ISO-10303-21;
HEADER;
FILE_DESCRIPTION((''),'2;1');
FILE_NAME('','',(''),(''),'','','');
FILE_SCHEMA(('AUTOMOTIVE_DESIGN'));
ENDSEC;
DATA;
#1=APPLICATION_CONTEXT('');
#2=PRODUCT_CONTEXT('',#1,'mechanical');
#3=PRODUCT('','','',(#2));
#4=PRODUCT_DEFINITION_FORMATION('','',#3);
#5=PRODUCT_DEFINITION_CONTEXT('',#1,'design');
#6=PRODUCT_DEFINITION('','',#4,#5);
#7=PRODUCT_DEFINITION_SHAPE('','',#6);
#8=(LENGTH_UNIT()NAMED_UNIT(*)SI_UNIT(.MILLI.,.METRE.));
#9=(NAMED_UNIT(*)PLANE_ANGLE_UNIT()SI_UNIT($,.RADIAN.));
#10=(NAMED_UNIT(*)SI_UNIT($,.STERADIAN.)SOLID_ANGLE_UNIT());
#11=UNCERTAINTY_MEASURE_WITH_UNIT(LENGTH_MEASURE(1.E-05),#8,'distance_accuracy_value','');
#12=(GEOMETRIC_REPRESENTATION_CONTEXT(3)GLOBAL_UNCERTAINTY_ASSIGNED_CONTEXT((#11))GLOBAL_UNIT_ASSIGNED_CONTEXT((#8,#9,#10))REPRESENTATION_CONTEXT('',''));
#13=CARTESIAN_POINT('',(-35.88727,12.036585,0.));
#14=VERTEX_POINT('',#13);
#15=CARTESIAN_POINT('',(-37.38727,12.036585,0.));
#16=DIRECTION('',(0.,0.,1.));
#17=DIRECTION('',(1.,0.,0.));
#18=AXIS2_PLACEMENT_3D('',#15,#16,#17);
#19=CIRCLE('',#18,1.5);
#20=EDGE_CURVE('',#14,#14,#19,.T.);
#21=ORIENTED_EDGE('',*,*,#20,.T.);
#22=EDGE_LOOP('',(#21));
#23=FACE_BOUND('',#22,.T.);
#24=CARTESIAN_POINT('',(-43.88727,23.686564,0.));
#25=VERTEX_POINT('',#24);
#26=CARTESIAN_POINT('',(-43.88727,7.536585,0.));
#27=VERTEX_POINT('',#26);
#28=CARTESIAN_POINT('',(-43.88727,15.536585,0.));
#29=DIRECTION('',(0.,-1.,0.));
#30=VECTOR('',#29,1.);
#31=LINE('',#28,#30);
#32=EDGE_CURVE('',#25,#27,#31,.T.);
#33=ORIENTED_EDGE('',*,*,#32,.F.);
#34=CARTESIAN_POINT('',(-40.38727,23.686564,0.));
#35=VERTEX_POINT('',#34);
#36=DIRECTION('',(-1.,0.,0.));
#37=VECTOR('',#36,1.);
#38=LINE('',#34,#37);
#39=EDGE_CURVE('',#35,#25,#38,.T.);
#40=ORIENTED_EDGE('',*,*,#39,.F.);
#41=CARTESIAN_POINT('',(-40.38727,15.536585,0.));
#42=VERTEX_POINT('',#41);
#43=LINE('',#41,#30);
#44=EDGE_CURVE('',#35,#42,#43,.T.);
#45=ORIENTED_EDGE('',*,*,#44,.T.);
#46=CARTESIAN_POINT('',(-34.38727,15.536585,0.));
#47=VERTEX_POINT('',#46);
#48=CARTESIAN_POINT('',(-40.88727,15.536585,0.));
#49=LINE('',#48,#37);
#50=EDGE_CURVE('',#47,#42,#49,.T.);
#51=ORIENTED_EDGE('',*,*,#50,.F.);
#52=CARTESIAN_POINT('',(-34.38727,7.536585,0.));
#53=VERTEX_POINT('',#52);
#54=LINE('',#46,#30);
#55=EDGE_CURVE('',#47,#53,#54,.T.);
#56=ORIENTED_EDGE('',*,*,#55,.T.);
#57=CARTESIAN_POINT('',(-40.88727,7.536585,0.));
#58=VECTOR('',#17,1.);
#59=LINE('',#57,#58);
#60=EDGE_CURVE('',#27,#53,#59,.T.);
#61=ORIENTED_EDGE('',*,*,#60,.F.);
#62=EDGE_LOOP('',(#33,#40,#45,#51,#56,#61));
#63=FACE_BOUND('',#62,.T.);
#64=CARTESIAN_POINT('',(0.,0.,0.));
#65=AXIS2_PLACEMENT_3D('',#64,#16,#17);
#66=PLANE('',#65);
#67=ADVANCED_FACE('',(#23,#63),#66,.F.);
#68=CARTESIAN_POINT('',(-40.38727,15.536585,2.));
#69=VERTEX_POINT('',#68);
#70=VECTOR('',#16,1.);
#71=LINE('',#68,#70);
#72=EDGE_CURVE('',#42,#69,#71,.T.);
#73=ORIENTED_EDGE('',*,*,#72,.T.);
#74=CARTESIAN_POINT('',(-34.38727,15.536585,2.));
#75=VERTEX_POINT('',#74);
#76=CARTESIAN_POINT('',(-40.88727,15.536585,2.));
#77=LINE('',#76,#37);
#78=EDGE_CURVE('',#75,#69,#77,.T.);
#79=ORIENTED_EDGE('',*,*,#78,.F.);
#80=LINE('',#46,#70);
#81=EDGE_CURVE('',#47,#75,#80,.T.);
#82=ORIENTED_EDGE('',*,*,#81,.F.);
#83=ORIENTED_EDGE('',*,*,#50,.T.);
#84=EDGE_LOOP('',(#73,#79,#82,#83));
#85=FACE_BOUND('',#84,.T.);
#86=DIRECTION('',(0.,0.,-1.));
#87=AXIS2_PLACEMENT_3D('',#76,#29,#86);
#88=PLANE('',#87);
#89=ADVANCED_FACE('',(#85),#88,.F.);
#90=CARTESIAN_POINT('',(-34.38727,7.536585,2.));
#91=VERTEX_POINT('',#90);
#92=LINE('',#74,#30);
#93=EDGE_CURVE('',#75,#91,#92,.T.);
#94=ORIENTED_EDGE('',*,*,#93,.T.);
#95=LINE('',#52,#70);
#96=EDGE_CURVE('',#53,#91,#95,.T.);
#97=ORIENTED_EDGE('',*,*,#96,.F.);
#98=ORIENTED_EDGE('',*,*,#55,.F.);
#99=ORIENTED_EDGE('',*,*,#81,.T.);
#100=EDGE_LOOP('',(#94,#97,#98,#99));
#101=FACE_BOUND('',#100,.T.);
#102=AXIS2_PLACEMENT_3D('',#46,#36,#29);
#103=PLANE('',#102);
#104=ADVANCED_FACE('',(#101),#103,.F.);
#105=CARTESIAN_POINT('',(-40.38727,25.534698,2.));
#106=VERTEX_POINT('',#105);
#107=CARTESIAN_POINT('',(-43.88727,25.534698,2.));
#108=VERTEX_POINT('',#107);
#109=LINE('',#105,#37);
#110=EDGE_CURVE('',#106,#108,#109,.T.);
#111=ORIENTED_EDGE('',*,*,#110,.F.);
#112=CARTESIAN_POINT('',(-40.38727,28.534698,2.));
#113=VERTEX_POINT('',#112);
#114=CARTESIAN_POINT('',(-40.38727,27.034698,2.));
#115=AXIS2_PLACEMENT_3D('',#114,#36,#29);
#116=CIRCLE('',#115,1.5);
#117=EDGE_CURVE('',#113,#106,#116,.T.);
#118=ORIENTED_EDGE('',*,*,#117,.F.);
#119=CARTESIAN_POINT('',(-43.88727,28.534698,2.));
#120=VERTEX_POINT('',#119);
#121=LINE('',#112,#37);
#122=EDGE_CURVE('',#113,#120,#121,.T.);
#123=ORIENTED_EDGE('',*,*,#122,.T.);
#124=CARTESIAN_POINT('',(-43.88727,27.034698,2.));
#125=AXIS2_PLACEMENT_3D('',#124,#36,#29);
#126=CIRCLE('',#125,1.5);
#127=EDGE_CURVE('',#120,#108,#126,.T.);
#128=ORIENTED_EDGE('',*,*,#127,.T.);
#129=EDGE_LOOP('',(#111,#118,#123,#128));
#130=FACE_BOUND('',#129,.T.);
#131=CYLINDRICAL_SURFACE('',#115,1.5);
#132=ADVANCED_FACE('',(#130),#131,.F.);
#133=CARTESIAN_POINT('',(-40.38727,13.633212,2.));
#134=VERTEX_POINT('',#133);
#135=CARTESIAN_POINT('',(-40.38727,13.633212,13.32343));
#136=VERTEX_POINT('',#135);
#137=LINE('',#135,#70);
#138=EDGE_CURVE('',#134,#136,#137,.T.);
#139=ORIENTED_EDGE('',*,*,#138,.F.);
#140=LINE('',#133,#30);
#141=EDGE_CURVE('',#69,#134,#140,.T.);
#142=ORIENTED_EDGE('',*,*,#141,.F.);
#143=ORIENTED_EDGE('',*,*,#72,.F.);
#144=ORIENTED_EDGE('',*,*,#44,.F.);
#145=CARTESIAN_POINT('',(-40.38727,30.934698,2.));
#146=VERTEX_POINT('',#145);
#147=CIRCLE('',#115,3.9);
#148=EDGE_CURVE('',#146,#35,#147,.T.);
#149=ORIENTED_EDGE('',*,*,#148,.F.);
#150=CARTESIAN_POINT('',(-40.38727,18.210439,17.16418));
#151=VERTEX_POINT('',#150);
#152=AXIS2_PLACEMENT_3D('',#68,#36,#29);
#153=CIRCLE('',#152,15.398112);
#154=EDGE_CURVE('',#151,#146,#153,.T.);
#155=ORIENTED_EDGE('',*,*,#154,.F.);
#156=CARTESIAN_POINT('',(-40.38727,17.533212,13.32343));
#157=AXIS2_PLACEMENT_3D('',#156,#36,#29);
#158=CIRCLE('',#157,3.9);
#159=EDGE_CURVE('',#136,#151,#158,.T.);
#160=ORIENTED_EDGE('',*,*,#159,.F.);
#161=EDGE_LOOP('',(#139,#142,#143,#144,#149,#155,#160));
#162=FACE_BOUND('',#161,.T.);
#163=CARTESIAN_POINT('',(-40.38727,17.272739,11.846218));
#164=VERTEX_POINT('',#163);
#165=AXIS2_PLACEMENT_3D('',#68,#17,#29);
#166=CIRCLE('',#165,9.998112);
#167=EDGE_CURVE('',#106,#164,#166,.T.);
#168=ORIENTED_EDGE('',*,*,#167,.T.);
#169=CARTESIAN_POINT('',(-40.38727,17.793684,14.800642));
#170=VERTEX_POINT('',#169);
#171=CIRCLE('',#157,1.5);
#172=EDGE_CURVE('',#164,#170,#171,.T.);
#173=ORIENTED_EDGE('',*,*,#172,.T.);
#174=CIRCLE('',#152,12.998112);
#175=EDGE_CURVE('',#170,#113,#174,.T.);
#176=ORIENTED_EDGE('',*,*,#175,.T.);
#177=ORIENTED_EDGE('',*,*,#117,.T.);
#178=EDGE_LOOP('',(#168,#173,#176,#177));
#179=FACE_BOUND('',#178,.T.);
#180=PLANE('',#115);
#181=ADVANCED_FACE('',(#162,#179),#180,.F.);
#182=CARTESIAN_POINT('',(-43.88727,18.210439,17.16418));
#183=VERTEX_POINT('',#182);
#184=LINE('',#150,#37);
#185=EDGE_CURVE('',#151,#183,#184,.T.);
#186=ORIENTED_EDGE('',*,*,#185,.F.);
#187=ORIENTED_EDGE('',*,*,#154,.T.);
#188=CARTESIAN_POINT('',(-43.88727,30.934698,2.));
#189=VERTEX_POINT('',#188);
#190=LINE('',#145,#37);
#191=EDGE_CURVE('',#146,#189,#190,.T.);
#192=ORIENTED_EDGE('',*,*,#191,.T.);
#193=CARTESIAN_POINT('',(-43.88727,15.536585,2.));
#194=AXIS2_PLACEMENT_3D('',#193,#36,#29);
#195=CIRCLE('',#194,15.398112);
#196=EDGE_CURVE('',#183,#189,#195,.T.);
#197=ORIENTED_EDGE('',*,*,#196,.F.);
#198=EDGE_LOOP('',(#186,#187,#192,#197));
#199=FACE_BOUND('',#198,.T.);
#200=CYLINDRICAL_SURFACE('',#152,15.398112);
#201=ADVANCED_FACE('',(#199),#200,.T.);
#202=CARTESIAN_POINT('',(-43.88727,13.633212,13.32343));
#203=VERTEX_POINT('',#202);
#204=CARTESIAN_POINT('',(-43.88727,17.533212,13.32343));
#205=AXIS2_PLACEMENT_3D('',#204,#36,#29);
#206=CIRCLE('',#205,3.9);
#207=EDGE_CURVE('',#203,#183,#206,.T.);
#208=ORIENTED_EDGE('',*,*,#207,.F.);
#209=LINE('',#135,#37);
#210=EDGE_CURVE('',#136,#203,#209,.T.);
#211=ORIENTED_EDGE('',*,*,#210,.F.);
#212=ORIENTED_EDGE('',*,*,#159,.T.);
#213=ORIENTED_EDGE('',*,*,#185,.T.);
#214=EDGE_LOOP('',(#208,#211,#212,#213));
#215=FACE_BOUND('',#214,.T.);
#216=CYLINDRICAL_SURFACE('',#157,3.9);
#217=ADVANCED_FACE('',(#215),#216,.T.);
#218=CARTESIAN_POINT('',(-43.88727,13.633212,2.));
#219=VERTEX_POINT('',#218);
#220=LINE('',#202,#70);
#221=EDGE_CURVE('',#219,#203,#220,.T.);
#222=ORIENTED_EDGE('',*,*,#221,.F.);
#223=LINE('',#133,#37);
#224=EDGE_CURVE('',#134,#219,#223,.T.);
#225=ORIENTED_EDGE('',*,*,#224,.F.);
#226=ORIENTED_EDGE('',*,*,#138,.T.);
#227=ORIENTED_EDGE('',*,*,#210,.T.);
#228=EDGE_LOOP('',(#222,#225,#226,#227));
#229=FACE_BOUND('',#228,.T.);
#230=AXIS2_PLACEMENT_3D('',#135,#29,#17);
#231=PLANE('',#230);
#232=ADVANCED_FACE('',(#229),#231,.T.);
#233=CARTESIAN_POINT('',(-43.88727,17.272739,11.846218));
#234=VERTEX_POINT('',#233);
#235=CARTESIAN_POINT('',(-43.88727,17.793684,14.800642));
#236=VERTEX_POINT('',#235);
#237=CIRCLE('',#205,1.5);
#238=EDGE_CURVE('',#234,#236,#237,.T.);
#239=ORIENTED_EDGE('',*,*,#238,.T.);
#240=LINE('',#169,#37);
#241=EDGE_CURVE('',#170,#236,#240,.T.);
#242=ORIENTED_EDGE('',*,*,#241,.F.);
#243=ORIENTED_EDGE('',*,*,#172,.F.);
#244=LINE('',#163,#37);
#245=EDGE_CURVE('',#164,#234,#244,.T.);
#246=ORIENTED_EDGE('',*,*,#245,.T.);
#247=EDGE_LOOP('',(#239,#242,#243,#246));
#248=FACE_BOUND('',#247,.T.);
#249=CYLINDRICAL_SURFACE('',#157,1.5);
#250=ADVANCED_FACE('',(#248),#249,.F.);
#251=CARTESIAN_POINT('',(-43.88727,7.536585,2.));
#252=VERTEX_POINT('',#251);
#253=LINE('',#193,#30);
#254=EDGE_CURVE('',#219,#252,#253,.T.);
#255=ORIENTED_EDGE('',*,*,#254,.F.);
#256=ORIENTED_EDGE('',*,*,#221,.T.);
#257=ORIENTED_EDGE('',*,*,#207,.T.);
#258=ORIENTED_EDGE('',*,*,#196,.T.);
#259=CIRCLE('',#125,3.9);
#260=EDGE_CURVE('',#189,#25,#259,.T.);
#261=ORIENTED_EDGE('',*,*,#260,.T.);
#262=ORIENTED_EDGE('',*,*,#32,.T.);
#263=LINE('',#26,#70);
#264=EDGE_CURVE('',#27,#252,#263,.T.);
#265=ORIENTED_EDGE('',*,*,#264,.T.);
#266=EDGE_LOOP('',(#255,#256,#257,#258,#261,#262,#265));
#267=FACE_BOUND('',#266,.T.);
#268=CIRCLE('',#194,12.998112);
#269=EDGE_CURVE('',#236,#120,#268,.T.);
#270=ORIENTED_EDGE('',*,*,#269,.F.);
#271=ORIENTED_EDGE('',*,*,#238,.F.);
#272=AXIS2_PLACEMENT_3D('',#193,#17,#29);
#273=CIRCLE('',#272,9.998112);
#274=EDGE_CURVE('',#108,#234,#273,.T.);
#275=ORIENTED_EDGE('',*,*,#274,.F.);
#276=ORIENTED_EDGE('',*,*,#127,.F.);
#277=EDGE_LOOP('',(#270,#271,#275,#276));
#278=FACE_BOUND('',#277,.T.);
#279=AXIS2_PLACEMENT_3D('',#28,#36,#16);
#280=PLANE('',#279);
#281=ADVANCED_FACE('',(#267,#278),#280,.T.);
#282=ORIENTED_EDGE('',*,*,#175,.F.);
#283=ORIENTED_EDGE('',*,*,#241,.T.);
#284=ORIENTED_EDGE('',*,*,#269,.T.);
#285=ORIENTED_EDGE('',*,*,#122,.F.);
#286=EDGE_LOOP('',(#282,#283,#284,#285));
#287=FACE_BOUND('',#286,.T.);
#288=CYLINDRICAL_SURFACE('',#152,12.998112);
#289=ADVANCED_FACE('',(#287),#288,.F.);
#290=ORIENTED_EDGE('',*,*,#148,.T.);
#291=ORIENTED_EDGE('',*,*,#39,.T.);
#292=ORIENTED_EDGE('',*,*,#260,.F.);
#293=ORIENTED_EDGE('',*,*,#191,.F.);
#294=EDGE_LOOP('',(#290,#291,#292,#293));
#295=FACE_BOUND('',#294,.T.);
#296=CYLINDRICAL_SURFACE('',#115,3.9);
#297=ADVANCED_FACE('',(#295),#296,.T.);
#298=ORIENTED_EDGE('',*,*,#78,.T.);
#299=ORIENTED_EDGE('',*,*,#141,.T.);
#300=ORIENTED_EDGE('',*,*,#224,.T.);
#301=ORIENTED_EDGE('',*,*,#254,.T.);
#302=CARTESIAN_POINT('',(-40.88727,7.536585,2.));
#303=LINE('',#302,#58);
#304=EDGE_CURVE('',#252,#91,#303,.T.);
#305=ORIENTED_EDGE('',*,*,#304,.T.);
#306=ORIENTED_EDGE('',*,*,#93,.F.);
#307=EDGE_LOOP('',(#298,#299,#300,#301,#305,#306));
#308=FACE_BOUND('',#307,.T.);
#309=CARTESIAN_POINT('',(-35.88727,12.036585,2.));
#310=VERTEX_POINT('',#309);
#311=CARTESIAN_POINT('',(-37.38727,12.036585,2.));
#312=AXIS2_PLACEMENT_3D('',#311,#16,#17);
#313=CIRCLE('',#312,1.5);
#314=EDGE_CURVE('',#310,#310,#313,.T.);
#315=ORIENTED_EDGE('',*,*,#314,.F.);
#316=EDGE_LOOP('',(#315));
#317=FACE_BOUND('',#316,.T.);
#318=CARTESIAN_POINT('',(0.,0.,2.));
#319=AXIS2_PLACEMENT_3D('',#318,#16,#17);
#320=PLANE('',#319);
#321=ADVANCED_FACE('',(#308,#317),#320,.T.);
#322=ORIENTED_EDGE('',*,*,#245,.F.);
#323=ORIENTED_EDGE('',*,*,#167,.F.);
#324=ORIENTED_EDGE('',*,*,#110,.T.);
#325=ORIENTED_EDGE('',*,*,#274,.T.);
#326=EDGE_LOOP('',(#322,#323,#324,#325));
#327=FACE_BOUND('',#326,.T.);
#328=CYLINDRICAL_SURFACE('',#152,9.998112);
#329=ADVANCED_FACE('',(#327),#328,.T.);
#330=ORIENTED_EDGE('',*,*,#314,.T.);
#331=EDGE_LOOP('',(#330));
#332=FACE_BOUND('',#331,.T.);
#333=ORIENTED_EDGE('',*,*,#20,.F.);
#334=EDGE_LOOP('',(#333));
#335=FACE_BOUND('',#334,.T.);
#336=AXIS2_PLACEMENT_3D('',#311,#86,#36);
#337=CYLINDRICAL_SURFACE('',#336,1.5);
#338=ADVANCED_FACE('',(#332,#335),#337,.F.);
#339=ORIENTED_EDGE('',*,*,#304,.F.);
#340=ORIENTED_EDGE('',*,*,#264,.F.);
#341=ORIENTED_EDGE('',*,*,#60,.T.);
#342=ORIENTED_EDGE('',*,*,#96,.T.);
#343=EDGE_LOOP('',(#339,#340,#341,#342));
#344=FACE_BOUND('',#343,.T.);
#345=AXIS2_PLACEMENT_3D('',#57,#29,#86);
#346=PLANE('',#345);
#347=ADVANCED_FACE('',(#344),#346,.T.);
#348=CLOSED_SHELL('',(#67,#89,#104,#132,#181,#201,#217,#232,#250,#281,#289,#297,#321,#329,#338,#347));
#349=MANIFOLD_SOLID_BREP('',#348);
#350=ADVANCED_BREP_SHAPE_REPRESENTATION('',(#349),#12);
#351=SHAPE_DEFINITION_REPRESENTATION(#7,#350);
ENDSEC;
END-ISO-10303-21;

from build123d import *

# Parameters (mm, degrees)
CROQUIS1_W                   = 26
CROQUIS1_H                   = 28
CROQUIS1_R                   = 1.5
SALIENTE_EXTRUIR1_DEPTH      = 2
CROQUIS7_W                   = 3
CROQUIS7_H                   = 8
SALIENTE_EXTRUIR3_DEPTH      = 2
SALIENTE_EXTRUIR2_DEPTH      = 3
SALIENTE_EXTRUIR2_DEPTH_BACK = 0.5
CORTAR_EXTRUIR1_DEPTH        = 2


with BuildPart() as part:
    # Croquis1 → Saliente-Extruir1 (new body)
    with BuildSketch(Plane.XY):
        with Locations((-27.887270297, 1.536585366)):
            Rectangle(CROQUIS1_W, CROQUIS1_H)
        with Locations((-37.387270297, 12.036585366)):
            Circle(CROQUIS1_R, mode=Mode.SUBTRACT)
        with Locations(Location((-18.387270297, 12.036585366, 0), (0, 0, 180))):
            Circle(CROQUIS1_R, mode=Mode.SUBTRACT)
        with Locations((-27.887270297, -5.463414634)):
            Circle(CROQUIS1_R, mode=Mode.SUBTRACT)
    extrude(amount=SALIENTE_EXTRUIR1_DEPTH)

    # Croquis7 → Saliente-Extruir3 (add)
    with BuildSketch(Plane.XY.offset(2)):
        with Locations((-42.387270297, 11.536585366)):
            Rectangle(CROQUIS7_W, CROQUIS7_H)
    extrude(amount=-SALIENTE_EXTRUIR3_DEPTH)

    # Croquis4 → Saliente-Extruir2 (add, two sides: drawn at the far end of the back side and taken through both)
    with BuildSketch(Plane.ZY.offset(40.887270297).offset(-SALIENTE_EXTRUIR2_DEPTH_BACK)):
        with BuildLine():
            Line((0, 15.536585366), (0, 23.686563701))
            ThreePointArc((0, 23.686563701), (-1.75950275, 28.072068742), (2, 30.934697509))
            ThreePointArc((2, 30.934697509), (11.897715698, 27.332223608), (17.164180221, 18.210439479))
            ThreePointArc((17.164180221, 18.210439479), (16.311003312, 15.026339908), (13.323429984, 13.633211586))
            Line((13.323429984, 13.633211586), (2, 13.633211586))
            Line((2, 13.633211586), (2, 15.536585366))
            Line((2, 15.536585366), (0, 15.536585366))
        make_face()
        with BuildLine():
            ThreePointArc((14.800641614, 17.793683853), (10.355025435, 25.493716944), (2, 28.534697509))
            ThreePointArc((2, 28.534697509), (0.5, 27.034697509), (2, 25.534697509))
            ThreePointArc((2, 25.534697509), (8.426662606, 23.195583615), (11.846218354, 17.27273932))
            ThreePointArc((11.846218354, 17.27273932), (13.583902251, 16.055999957), (14.800641614, 17.793683853))
        make_face(mode=Mode.SUBTRACT)
    extrude(amount=SALIENTE_EXTRUIR2_DEPTH + SALIENTE_EXTRUIR2_DEPTH_BACK)

    # Croquis5 → Cortar-Extruir1 (cut)
    with BuildSketch(Plane.XY.offset(2)):
        Polygon((-34.387270297, 15.536585366), (-34.387270297, 7.536585366), (-40.887270297, 7.536585366), (-40.887270297, -12.463414634), (-14.887270297, -12.463414634), (-14.887270297, 15.536585366), align=None)
    extrude(amount=-CORTAR_EXTRUIR1_DEPTH, mode=Mode.SUBTRACT)


solid = part.part
